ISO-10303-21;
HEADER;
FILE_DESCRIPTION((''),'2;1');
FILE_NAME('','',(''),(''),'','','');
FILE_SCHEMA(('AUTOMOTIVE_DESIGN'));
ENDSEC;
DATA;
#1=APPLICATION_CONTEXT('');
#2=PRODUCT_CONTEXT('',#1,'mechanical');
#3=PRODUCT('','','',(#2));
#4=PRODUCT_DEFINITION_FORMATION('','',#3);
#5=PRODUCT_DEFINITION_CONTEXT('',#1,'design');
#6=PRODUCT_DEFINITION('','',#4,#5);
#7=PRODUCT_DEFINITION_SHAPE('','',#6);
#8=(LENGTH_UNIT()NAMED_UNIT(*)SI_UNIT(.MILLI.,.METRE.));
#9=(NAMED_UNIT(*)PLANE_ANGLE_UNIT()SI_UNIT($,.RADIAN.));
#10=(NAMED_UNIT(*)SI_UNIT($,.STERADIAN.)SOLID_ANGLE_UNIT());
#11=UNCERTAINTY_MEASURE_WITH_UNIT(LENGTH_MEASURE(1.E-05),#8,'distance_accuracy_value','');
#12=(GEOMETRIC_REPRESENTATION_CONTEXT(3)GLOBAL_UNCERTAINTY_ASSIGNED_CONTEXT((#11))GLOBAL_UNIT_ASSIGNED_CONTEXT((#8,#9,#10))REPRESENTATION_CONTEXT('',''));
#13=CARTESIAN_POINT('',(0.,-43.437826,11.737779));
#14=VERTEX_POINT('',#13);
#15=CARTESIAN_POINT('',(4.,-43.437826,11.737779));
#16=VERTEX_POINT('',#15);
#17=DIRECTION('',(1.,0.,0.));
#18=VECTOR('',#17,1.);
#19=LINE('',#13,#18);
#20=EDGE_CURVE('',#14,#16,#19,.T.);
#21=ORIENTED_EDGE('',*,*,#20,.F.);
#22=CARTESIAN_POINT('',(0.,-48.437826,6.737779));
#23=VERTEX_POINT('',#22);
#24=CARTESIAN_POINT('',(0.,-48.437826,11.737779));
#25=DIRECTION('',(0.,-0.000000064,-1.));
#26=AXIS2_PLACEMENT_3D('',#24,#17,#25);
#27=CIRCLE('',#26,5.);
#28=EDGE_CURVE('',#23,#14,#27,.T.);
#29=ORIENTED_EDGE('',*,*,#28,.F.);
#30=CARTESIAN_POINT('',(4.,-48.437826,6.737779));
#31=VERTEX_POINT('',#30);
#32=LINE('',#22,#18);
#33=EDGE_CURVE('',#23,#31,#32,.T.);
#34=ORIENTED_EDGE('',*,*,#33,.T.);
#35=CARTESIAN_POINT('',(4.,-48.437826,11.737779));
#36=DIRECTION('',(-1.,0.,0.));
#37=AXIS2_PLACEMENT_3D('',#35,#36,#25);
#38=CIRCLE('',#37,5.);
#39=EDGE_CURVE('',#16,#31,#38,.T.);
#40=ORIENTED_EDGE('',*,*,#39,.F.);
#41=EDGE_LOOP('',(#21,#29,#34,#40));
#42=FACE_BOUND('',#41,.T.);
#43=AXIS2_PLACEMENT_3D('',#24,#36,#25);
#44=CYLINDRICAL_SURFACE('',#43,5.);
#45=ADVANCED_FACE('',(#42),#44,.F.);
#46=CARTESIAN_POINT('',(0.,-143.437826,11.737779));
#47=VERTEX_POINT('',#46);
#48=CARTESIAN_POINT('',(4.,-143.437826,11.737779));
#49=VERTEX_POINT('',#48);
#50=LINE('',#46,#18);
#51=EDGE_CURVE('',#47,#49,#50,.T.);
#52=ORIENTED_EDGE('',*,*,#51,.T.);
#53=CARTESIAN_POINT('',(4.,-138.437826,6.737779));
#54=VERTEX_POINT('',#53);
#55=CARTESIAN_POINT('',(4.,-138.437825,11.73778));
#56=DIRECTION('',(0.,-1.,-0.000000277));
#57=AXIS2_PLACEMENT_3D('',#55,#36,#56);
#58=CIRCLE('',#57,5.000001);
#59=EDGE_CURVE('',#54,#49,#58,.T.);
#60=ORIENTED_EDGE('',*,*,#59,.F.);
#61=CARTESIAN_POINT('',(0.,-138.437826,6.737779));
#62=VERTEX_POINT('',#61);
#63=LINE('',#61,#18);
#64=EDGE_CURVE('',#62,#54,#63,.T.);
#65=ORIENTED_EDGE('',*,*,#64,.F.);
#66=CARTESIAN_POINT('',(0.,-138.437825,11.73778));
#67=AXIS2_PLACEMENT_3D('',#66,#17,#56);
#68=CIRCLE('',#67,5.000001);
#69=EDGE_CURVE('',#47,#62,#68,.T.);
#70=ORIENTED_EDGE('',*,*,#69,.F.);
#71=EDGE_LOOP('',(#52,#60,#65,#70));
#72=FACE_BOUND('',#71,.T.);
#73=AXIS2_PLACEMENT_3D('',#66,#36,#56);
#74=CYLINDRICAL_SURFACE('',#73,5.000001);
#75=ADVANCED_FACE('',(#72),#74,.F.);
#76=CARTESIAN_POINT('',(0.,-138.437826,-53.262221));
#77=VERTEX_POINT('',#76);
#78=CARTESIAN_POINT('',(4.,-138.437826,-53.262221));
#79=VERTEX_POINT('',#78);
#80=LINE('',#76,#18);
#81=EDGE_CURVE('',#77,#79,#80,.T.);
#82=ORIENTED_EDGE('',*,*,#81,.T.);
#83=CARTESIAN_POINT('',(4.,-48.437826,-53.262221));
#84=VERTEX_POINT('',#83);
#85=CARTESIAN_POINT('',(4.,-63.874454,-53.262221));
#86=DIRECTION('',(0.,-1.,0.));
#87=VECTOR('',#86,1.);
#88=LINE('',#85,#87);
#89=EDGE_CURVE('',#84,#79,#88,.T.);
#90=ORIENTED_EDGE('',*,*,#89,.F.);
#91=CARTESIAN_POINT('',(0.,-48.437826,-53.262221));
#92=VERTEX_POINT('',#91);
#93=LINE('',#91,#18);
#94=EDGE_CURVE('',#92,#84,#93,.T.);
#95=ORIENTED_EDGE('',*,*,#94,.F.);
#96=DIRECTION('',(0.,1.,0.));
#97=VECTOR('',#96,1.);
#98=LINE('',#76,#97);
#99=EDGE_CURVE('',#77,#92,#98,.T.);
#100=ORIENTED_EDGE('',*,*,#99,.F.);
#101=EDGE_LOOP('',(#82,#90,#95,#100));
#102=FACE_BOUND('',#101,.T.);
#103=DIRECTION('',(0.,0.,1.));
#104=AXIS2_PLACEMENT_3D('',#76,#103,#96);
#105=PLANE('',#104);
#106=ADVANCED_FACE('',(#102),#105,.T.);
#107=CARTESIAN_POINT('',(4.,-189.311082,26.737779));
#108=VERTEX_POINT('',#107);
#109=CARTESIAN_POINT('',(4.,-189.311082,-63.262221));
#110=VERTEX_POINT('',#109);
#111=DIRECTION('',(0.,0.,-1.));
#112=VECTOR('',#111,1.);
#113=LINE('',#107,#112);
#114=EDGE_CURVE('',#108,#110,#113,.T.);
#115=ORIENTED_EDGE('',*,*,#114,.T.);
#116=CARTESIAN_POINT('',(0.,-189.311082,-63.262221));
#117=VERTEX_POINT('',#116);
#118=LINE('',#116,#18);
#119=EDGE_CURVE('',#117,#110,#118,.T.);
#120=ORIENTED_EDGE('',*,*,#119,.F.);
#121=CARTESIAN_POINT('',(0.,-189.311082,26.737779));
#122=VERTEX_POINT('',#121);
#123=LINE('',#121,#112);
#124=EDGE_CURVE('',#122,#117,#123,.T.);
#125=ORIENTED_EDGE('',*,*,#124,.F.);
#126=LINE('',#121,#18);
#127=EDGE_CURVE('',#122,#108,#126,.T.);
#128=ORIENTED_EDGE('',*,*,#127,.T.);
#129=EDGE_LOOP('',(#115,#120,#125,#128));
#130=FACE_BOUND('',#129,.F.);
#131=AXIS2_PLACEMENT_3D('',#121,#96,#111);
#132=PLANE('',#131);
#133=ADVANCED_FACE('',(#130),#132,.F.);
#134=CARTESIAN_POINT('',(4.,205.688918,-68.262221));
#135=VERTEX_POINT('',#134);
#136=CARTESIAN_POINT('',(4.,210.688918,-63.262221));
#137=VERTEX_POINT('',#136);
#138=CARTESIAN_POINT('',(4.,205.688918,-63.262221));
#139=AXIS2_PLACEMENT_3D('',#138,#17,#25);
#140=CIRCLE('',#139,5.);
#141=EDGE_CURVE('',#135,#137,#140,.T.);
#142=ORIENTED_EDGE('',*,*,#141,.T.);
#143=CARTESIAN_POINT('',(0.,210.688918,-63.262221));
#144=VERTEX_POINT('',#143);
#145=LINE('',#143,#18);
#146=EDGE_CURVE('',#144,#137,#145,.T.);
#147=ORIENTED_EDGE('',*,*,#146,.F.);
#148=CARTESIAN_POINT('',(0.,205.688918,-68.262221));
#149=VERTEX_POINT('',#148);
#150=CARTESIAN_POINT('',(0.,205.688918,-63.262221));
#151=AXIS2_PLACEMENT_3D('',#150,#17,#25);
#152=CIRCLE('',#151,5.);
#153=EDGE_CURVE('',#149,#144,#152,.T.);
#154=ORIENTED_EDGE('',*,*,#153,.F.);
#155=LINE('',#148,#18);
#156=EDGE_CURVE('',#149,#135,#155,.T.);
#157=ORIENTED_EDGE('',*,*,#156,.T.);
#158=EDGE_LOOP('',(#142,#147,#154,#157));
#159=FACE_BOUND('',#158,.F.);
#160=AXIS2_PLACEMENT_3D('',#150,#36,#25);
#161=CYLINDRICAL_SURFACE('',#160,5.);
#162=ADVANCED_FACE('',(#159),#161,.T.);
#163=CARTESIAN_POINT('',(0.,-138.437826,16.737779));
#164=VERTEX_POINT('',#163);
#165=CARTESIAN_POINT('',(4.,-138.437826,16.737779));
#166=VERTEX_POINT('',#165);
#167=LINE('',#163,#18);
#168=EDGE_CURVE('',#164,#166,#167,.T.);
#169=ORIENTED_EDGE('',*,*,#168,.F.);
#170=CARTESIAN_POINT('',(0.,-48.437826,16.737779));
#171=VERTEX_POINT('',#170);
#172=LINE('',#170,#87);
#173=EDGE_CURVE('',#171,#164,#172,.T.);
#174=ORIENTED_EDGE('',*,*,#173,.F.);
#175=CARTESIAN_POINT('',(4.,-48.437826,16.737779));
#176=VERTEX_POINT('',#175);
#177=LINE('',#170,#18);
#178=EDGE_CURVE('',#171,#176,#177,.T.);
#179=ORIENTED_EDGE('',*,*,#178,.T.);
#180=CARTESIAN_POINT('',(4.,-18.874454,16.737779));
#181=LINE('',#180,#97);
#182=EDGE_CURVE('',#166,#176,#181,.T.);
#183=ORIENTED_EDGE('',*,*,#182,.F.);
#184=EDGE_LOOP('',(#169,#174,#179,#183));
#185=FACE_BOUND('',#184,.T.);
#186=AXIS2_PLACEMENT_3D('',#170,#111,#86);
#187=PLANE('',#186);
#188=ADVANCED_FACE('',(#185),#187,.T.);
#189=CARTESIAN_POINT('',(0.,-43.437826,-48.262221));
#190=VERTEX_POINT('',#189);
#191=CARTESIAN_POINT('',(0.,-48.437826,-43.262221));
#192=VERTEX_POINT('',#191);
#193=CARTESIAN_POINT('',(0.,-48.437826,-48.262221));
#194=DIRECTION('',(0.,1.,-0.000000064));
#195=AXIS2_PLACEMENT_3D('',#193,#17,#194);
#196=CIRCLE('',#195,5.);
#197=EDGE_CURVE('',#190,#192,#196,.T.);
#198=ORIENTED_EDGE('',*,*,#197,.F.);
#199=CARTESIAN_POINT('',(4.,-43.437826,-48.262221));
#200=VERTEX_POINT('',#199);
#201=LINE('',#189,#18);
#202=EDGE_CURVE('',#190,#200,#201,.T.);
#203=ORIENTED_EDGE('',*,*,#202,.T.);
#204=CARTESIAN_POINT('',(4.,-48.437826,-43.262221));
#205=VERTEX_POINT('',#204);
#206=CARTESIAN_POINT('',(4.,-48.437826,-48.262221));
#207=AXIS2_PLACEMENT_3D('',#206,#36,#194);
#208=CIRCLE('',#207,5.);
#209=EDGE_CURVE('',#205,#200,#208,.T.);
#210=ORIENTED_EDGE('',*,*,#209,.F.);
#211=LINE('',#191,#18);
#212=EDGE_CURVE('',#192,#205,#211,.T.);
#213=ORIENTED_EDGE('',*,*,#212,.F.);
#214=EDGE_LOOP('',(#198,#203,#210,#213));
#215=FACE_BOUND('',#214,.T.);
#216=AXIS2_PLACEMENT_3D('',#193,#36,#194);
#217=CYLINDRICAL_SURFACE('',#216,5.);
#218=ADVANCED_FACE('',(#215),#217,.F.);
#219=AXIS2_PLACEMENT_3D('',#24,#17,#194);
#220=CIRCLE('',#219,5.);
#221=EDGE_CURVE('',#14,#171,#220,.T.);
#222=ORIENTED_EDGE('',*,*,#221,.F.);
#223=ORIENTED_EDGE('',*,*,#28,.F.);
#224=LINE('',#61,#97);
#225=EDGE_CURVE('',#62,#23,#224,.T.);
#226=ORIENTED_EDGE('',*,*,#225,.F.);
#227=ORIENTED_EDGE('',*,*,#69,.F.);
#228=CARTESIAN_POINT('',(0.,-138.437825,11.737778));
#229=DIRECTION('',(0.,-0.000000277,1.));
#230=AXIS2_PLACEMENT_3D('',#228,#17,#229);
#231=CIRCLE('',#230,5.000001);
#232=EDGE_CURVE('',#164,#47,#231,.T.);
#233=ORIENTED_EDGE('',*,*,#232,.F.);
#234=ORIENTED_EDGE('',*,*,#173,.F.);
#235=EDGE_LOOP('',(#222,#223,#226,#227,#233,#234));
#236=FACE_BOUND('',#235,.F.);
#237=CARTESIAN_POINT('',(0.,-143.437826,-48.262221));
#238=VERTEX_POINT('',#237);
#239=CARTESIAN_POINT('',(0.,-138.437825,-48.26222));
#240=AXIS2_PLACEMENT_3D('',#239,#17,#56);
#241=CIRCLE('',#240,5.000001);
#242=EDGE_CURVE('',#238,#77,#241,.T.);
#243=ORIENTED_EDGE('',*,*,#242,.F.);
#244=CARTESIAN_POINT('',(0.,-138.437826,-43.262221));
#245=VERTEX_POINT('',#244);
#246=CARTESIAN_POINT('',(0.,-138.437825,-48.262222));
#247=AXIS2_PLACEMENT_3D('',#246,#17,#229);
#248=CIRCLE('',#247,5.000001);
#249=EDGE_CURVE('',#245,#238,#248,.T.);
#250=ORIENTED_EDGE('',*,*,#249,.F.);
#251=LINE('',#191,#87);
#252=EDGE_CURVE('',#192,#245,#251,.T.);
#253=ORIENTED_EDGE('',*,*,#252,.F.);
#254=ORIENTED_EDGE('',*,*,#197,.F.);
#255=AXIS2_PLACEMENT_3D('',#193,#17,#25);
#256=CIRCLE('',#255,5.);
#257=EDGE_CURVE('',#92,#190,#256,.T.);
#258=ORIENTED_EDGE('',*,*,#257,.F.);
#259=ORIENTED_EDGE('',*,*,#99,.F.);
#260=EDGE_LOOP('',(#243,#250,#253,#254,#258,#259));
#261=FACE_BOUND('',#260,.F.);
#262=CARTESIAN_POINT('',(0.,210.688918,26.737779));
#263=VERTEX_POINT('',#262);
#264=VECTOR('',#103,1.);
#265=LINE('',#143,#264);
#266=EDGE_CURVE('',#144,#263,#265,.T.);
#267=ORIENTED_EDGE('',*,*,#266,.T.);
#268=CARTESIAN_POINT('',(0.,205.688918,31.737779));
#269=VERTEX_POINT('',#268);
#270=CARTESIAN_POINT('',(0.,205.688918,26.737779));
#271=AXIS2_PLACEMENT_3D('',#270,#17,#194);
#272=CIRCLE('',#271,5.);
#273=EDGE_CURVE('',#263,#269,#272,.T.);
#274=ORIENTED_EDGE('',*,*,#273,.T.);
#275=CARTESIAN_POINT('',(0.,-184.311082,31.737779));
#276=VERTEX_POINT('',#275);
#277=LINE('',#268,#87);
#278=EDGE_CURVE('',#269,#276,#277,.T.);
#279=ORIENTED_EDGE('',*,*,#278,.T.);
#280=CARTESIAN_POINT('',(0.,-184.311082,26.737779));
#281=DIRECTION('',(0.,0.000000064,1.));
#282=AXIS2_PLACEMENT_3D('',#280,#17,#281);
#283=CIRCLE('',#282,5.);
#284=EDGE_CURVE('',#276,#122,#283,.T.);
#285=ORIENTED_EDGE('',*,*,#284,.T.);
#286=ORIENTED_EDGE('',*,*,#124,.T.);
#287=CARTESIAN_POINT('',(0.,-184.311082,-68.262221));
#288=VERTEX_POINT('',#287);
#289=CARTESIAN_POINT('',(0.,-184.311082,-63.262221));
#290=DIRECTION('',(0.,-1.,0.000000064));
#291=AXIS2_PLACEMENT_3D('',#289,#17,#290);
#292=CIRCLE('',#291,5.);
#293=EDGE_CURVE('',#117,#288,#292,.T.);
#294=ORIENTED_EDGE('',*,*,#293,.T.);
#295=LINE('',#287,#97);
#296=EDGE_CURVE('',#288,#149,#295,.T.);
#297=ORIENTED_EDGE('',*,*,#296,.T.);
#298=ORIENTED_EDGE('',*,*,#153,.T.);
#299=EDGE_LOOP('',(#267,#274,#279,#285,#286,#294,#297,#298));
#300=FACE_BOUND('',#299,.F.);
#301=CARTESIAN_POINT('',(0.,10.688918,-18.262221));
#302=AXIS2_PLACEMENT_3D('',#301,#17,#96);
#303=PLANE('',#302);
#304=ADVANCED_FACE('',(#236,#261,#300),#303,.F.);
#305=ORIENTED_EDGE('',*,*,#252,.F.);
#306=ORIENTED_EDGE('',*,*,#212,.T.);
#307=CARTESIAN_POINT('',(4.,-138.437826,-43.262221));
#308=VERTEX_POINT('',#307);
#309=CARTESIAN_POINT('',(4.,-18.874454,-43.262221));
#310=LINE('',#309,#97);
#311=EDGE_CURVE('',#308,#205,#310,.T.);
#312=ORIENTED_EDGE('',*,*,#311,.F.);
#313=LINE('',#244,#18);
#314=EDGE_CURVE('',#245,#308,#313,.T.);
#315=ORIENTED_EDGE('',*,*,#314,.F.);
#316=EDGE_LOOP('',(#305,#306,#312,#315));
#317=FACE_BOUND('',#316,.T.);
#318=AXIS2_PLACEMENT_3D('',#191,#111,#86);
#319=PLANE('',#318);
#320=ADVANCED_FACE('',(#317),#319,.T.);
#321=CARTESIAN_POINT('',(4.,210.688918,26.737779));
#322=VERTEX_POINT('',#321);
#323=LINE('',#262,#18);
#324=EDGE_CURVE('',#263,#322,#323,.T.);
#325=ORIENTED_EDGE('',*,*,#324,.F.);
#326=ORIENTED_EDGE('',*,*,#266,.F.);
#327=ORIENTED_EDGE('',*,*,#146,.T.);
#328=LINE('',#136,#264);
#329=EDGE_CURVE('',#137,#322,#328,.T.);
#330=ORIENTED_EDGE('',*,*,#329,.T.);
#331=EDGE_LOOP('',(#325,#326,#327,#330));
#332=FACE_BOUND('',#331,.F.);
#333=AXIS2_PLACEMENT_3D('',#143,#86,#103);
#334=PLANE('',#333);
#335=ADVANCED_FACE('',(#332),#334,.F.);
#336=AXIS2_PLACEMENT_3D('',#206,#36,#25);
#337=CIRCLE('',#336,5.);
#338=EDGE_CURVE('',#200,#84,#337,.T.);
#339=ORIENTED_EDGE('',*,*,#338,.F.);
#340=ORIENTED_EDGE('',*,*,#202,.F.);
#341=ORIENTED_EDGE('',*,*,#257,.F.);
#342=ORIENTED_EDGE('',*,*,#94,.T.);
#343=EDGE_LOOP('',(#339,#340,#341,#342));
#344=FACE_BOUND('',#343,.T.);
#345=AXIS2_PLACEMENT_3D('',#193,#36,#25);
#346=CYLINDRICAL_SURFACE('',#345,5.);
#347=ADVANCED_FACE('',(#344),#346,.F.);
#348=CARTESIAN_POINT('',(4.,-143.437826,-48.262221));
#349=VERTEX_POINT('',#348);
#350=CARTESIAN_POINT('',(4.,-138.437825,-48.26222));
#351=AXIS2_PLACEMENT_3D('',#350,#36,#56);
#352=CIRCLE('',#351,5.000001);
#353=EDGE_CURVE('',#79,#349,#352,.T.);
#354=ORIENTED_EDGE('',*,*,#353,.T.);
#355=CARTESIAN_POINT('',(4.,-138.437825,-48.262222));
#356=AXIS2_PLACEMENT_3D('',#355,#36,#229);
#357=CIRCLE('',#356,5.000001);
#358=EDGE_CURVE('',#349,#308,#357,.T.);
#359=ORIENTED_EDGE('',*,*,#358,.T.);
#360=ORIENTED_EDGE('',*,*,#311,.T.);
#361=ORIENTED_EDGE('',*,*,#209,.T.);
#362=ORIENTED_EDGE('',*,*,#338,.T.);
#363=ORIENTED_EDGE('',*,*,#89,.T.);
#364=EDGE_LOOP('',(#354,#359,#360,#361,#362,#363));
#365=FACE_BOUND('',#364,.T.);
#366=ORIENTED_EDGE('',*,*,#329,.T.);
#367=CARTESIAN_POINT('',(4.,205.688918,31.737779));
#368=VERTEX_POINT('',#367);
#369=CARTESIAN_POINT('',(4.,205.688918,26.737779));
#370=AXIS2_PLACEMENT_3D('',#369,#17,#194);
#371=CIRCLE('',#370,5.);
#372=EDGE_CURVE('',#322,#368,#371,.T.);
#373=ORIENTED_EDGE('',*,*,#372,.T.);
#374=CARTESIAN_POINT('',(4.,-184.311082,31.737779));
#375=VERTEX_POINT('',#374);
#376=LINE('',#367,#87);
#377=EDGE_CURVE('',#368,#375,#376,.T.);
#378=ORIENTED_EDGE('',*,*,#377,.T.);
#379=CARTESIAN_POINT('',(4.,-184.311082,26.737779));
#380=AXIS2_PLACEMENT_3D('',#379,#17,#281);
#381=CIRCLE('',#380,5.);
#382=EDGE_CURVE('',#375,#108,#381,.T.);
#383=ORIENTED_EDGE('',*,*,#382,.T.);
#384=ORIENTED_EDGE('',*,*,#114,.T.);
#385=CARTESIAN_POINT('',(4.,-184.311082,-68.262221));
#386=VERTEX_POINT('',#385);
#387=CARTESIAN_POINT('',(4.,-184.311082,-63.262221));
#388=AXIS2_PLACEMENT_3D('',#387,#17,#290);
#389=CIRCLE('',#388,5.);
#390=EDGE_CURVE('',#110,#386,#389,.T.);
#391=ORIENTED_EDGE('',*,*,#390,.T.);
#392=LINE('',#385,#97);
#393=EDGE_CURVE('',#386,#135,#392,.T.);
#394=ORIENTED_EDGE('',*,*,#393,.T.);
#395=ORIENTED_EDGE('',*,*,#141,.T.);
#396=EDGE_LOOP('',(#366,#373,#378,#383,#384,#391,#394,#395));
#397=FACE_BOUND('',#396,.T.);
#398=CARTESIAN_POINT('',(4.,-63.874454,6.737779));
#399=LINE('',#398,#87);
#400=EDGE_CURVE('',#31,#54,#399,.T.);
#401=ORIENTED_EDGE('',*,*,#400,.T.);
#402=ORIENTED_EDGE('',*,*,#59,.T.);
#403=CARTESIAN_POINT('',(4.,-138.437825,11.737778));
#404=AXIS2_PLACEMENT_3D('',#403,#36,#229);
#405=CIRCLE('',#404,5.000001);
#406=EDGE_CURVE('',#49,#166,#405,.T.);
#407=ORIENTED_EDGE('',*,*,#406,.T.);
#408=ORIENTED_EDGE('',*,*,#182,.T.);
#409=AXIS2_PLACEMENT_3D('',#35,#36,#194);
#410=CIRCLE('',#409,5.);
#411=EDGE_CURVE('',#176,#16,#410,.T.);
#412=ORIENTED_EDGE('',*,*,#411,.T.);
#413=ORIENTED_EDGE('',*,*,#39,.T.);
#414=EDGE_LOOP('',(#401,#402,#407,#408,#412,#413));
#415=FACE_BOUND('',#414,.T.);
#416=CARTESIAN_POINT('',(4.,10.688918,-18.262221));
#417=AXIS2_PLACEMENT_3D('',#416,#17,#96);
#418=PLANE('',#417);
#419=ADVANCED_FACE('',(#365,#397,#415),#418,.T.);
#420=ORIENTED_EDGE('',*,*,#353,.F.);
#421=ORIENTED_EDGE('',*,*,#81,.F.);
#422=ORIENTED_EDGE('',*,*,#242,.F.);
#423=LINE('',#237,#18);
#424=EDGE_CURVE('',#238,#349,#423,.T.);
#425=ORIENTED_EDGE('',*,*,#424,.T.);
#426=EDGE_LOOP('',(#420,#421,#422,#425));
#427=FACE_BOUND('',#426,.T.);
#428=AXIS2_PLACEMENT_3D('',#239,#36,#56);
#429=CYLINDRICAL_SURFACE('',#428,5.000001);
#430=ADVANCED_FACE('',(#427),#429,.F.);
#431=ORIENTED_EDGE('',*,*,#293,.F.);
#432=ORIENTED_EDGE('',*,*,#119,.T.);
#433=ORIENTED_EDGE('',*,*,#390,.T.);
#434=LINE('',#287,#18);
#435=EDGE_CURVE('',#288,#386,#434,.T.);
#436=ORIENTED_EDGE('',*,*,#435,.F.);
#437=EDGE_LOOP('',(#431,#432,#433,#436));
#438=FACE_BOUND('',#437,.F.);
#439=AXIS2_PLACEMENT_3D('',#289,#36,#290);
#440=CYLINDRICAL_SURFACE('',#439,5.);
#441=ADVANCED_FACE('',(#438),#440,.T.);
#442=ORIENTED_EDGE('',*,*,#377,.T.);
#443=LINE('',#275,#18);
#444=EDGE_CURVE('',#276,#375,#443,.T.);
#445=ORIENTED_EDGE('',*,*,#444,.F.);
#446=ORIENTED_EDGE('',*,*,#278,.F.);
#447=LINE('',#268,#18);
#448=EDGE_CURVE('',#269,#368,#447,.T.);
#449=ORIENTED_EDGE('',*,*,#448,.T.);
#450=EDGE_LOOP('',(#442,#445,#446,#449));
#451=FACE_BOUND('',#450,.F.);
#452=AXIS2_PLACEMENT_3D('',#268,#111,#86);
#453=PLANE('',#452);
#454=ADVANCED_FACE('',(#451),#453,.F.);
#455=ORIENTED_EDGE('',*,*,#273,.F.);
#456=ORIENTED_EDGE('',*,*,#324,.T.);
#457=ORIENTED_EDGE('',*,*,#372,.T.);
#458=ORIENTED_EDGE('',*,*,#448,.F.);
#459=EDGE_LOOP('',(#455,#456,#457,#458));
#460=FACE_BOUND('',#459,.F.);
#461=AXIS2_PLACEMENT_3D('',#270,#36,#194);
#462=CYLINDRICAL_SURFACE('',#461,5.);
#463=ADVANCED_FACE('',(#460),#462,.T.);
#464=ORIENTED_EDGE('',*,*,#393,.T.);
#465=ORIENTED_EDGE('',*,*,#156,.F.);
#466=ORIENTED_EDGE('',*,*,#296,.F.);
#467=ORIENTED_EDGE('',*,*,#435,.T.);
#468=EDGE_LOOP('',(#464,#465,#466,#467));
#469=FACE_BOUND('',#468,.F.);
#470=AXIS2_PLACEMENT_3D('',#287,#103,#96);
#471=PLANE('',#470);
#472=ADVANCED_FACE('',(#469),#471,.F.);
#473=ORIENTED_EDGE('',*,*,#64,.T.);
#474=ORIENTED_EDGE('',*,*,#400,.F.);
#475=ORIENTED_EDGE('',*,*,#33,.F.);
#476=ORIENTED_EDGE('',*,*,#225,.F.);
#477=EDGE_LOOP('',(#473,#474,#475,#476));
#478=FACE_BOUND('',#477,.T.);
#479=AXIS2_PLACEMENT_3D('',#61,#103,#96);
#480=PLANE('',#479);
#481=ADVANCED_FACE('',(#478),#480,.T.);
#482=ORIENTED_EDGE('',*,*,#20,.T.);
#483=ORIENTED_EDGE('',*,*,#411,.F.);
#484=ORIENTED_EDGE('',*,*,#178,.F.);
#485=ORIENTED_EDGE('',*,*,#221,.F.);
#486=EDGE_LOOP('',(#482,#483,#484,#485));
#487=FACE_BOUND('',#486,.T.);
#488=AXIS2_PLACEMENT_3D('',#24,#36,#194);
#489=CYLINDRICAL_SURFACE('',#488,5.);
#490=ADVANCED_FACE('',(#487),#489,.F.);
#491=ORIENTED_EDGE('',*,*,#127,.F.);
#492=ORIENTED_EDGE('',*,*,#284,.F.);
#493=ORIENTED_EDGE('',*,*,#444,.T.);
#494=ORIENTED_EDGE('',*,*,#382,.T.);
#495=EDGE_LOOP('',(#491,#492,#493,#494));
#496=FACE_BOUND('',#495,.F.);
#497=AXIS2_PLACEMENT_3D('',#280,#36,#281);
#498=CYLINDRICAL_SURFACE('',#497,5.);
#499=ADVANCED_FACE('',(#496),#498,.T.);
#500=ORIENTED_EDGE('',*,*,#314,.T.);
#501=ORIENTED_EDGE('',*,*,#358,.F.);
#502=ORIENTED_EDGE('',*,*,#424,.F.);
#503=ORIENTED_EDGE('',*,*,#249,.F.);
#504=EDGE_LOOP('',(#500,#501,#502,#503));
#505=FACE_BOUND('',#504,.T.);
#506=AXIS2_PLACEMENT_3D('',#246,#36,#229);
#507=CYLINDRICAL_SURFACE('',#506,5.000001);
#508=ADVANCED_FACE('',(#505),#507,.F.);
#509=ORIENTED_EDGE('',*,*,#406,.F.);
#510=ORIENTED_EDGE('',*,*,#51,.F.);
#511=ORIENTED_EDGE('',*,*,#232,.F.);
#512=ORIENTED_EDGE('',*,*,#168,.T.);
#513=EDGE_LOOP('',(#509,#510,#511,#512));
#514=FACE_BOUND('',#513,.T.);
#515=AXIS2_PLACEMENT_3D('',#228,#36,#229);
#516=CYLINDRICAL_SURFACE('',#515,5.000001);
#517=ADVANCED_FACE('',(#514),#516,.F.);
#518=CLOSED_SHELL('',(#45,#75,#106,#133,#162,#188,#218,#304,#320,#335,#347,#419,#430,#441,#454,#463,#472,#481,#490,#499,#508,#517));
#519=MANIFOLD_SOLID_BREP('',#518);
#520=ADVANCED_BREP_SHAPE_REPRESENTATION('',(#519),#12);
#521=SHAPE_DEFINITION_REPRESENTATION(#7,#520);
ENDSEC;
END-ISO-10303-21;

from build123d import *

# Parameters (mm, degrees)
F1_DEPTH = 4
F3_DEPTH = 25


with BuildPart() as f1:
    # F0 (on Right) → F1 (new body)
    with BuildSketch(Plane.YZ):
        with BuildLine():
            Line((205.688918, 31.737779), (-184.311082, 31.737779))
            ThreePointArc((-184.311082, 31.737779), (-187.846616, 30.273313), (-189.311082, 26.737779))
            Line((-189.311082, 26.737779), (-189.311082, -63.262221))
            ThreePointArc((-189.311082, -63.262221), (-187.846616, -66.797755), (-184.311082, -68.262221))
            Line((-184.311082, -68.262221), (205.688918, -68.262221))
            ThreePointArc((205.688918, -68.262221), (209.224452, -66.797755), (210.688918, -63.262221))
            Line((210.688918, -63.262221), (210.688918, 26.737779))
            ThreePointArc((210.688918, 26.737779), (209.224452, 30.273313), (205.688918, 31.737779))
        make_face()
    extrude(amount=F1_DEPTH)

    # F2 (on Right) → F3 (cut)
    with BuildSketch(Plane.YZ):
        with BuildLine():
            Line((-48.437826, 16.737779), (-138.437826, 16.737779))
            ThreePointArc((-138.437826, 16.737779), (-141.973359, 15.273313), (-143.437826, 11.737779))
            ThreePointArc((-143.437826, 11.737779), (-141.973359, 8.202245), (-138.437826, 6.737779))
            Line((-138.437826, 6.737779), (-48.437826, 6.737779))
            ThreePointArc((-48.437826, 6.737779), (-44.902292, 8.202245), (-43.437826, 11.737779))
            ThreePointArc((-43.437826, 11.737779), (-44.902292, 15.273313), (-48.437826, 16.737779))
        make_face()
        with BuildLine():
            Line((-48.437826, -43.262221), (-138.437826, -43.262221))
            ThreePointArc((-138.437826, -43.262221), (-141.973359, -44.726687), (-143.437826, -48.262221))
            ThreePointArc((-143.437826, -48.262221), (-141.973359, -51.797755), (-138.437826, -53.262221))
            Line((-138.437826, -53.262221), (-48.437826, -53.262221))
            ThreePointArc((-48.437826, -53.262221), (-44.902292, -51.797755), (-43.437826, -48.262221))
            ThreePointArc((-43.437826, -48.262221), (-44.902292, -44.726687), (-48.437826, -43.262221))
        make_face()
    extrude(amount=F3_DEPTH, mode=Mode.SUBTRACT)


solid = f1.part
